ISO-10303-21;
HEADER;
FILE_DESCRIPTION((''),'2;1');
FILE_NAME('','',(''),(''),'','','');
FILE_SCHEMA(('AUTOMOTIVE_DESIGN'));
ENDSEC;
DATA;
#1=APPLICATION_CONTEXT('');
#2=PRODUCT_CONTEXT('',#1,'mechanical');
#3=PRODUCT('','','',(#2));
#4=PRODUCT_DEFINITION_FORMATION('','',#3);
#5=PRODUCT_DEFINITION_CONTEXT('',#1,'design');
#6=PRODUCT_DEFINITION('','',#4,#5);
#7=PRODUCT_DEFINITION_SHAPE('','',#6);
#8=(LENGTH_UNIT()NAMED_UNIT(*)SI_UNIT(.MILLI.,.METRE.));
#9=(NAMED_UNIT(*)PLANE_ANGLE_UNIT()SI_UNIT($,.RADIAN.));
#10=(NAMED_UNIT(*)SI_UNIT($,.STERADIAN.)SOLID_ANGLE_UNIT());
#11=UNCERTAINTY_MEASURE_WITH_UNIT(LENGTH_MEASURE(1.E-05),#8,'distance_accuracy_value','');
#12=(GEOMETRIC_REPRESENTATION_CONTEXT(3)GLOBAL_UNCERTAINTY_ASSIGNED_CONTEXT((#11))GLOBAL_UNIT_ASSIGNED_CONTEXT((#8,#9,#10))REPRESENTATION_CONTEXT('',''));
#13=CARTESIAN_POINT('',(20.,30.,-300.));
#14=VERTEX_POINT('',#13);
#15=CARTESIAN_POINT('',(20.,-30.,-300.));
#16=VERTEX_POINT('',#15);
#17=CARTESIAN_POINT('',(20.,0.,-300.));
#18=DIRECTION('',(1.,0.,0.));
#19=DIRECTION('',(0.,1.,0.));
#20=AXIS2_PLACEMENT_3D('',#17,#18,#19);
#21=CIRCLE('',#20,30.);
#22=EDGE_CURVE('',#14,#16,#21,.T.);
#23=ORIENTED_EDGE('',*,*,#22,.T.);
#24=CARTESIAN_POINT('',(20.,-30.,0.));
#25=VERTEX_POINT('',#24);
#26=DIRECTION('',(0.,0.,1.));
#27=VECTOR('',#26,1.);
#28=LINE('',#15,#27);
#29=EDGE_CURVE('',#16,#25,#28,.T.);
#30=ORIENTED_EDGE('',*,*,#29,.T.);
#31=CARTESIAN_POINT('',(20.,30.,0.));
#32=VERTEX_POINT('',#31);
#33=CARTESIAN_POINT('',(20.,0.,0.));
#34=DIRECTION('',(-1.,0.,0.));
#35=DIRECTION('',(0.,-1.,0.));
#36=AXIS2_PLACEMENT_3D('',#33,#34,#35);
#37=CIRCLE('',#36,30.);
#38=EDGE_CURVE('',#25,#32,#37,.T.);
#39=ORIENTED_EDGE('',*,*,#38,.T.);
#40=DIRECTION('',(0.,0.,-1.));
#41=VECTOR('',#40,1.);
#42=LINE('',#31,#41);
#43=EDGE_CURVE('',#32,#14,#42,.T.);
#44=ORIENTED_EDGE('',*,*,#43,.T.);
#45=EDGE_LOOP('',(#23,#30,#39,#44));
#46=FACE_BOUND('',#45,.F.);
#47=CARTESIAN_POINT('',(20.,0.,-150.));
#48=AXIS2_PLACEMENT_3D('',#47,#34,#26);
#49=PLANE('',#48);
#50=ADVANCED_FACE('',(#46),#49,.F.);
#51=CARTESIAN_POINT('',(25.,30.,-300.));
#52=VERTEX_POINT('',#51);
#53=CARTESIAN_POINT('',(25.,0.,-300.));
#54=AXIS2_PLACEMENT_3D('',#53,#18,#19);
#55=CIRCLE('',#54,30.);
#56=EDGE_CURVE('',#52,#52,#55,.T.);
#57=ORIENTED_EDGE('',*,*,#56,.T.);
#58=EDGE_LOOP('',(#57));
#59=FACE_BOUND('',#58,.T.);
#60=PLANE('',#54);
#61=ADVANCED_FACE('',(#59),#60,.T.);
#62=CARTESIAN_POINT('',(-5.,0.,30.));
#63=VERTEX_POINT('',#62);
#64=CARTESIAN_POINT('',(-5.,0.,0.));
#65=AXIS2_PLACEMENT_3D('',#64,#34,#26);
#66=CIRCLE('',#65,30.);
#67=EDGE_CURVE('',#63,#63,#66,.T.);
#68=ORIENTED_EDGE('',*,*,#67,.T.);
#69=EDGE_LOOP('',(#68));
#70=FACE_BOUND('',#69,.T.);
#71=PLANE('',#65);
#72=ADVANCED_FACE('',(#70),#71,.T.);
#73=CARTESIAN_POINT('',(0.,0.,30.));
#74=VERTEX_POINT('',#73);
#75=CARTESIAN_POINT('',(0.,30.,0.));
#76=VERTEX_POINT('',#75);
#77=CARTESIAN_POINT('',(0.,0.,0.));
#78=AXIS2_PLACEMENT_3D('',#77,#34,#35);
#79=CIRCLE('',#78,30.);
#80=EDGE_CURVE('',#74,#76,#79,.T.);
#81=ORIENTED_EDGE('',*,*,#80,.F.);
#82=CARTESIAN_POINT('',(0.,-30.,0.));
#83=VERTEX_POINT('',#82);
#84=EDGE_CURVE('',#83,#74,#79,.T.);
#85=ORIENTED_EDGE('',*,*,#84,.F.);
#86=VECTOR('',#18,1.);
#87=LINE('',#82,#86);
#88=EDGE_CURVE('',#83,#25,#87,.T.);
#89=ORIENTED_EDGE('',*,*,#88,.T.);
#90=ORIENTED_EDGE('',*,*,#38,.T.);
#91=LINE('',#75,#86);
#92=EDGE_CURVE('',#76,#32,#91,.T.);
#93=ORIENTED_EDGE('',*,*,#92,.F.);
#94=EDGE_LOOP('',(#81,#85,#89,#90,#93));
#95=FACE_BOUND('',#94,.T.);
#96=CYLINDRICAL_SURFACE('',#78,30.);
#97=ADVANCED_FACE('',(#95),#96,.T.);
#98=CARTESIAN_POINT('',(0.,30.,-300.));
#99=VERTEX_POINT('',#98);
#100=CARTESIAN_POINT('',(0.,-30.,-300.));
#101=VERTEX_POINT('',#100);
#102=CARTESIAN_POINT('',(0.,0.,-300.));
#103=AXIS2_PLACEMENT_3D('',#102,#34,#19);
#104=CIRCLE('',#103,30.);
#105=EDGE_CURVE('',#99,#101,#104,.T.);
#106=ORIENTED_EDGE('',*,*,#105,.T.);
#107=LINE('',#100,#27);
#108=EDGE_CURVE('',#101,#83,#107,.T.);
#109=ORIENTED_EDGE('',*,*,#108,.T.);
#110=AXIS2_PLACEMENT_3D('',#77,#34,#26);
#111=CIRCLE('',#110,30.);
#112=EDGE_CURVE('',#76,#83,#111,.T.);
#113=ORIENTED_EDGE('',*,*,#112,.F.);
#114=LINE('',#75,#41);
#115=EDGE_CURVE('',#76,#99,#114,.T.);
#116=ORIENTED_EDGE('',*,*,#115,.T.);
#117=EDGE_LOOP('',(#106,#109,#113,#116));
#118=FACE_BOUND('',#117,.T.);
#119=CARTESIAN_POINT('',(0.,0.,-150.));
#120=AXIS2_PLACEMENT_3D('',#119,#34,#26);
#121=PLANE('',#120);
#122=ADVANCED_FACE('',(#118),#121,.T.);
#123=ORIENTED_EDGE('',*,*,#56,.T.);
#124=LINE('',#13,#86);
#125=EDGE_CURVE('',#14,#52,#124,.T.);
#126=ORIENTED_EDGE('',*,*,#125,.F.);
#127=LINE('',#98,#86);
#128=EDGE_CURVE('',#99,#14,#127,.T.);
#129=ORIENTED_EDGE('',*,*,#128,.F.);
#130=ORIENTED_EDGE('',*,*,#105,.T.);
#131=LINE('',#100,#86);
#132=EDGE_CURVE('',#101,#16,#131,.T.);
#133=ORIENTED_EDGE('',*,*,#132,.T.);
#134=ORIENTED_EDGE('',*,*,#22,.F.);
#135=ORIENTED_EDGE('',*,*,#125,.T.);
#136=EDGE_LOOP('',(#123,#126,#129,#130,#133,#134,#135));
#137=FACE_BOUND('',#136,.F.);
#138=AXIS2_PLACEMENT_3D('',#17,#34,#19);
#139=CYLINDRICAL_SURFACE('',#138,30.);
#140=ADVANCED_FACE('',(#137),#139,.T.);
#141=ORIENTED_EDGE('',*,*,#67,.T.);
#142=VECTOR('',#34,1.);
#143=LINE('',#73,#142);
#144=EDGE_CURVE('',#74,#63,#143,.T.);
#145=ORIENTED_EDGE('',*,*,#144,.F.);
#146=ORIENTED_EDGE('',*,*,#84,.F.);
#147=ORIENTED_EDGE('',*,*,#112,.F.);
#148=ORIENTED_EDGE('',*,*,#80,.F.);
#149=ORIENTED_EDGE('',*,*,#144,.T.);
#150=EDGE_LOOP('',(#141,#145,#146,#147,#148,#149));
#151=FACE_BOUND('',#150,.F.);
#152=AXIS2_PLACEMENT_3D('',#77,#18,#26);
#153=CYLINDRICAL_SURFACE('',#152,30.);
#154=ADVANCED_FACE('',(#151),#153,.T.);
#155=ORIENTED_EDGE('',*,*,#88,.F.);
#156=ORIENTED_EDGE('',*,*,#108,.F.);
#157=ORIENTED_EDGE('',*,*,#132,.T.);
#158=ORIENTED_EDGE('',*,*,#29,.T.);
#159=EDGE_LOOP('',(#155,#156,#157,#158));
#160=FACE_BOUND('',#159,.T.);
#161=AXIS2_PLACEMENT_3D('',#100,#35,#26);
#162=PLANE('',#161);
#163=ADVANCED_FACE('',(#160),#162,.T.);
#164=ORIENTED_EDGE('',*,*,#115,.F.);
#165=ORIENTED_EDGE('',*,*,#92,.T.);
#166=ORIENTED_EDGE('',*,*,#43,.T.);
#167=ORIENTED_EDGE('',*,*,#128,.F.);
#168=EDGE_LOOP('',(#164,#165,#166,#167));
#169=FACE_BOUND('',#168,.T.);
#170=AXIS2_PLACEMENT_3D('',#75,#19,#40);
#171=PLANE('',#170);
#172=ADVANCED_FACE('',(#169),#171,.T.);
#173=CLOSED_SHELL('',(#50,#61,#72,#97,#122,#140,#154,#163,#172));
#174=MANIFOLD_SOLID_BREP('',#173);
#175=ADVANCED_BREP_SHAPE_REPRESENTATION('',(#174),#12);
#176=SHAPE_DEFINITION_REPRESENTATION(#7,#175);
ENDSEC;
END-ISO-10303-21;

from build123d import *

# Parameters (mm, degrees)
EXTRUDE_1_DEPTH = 20
SKETCH_2_R      = 30
EXTRUDE_2_DEPTH = 5
SKETCH_3_R      = 30
EXTRUDE_3_DEPTH = 5


with BuildPart() as part:
    # 草图1 → 凸台-拉伸1 (new body)
    with BuildSketch(Plane(origin=(0, 0, 0), x_dir=(0, 0, -1), z_dir=(1, 0, 0))):
        with BuildLine():
            Line((0, 30), (300, 30))
            ThreePointArc((300, 30), (330, 0), (300, -30))
            Line((300, -30), (0, -30))
            ThreePointArc((0, -30), (-30, 0), (0, 30))
        make_face()
    extrude(amount=EXTRUDE_1_DEPTH)

    # 草图2 → 凸台-拉伸2 (add)
    with BuildSketch(Plane(origin=(20, 0, 0), x_dir=(0, 0, -1), z_dir=(1, 0, 0))):
        with Locations(Location((300, 0, 0), (0, 0, 90))):
            Circle(SKETCH_2_R)
    extrude(amount=EXTRUDE_2_DEPTH)

    # 草图3 → 凸台-拉伸3 (add)
    with BuildSketch(Plane.ZY):
        Circle(SKETCH_3_R)
    extrude(amount=EXTRUDE_3_DEPTH)


solid = part.part
